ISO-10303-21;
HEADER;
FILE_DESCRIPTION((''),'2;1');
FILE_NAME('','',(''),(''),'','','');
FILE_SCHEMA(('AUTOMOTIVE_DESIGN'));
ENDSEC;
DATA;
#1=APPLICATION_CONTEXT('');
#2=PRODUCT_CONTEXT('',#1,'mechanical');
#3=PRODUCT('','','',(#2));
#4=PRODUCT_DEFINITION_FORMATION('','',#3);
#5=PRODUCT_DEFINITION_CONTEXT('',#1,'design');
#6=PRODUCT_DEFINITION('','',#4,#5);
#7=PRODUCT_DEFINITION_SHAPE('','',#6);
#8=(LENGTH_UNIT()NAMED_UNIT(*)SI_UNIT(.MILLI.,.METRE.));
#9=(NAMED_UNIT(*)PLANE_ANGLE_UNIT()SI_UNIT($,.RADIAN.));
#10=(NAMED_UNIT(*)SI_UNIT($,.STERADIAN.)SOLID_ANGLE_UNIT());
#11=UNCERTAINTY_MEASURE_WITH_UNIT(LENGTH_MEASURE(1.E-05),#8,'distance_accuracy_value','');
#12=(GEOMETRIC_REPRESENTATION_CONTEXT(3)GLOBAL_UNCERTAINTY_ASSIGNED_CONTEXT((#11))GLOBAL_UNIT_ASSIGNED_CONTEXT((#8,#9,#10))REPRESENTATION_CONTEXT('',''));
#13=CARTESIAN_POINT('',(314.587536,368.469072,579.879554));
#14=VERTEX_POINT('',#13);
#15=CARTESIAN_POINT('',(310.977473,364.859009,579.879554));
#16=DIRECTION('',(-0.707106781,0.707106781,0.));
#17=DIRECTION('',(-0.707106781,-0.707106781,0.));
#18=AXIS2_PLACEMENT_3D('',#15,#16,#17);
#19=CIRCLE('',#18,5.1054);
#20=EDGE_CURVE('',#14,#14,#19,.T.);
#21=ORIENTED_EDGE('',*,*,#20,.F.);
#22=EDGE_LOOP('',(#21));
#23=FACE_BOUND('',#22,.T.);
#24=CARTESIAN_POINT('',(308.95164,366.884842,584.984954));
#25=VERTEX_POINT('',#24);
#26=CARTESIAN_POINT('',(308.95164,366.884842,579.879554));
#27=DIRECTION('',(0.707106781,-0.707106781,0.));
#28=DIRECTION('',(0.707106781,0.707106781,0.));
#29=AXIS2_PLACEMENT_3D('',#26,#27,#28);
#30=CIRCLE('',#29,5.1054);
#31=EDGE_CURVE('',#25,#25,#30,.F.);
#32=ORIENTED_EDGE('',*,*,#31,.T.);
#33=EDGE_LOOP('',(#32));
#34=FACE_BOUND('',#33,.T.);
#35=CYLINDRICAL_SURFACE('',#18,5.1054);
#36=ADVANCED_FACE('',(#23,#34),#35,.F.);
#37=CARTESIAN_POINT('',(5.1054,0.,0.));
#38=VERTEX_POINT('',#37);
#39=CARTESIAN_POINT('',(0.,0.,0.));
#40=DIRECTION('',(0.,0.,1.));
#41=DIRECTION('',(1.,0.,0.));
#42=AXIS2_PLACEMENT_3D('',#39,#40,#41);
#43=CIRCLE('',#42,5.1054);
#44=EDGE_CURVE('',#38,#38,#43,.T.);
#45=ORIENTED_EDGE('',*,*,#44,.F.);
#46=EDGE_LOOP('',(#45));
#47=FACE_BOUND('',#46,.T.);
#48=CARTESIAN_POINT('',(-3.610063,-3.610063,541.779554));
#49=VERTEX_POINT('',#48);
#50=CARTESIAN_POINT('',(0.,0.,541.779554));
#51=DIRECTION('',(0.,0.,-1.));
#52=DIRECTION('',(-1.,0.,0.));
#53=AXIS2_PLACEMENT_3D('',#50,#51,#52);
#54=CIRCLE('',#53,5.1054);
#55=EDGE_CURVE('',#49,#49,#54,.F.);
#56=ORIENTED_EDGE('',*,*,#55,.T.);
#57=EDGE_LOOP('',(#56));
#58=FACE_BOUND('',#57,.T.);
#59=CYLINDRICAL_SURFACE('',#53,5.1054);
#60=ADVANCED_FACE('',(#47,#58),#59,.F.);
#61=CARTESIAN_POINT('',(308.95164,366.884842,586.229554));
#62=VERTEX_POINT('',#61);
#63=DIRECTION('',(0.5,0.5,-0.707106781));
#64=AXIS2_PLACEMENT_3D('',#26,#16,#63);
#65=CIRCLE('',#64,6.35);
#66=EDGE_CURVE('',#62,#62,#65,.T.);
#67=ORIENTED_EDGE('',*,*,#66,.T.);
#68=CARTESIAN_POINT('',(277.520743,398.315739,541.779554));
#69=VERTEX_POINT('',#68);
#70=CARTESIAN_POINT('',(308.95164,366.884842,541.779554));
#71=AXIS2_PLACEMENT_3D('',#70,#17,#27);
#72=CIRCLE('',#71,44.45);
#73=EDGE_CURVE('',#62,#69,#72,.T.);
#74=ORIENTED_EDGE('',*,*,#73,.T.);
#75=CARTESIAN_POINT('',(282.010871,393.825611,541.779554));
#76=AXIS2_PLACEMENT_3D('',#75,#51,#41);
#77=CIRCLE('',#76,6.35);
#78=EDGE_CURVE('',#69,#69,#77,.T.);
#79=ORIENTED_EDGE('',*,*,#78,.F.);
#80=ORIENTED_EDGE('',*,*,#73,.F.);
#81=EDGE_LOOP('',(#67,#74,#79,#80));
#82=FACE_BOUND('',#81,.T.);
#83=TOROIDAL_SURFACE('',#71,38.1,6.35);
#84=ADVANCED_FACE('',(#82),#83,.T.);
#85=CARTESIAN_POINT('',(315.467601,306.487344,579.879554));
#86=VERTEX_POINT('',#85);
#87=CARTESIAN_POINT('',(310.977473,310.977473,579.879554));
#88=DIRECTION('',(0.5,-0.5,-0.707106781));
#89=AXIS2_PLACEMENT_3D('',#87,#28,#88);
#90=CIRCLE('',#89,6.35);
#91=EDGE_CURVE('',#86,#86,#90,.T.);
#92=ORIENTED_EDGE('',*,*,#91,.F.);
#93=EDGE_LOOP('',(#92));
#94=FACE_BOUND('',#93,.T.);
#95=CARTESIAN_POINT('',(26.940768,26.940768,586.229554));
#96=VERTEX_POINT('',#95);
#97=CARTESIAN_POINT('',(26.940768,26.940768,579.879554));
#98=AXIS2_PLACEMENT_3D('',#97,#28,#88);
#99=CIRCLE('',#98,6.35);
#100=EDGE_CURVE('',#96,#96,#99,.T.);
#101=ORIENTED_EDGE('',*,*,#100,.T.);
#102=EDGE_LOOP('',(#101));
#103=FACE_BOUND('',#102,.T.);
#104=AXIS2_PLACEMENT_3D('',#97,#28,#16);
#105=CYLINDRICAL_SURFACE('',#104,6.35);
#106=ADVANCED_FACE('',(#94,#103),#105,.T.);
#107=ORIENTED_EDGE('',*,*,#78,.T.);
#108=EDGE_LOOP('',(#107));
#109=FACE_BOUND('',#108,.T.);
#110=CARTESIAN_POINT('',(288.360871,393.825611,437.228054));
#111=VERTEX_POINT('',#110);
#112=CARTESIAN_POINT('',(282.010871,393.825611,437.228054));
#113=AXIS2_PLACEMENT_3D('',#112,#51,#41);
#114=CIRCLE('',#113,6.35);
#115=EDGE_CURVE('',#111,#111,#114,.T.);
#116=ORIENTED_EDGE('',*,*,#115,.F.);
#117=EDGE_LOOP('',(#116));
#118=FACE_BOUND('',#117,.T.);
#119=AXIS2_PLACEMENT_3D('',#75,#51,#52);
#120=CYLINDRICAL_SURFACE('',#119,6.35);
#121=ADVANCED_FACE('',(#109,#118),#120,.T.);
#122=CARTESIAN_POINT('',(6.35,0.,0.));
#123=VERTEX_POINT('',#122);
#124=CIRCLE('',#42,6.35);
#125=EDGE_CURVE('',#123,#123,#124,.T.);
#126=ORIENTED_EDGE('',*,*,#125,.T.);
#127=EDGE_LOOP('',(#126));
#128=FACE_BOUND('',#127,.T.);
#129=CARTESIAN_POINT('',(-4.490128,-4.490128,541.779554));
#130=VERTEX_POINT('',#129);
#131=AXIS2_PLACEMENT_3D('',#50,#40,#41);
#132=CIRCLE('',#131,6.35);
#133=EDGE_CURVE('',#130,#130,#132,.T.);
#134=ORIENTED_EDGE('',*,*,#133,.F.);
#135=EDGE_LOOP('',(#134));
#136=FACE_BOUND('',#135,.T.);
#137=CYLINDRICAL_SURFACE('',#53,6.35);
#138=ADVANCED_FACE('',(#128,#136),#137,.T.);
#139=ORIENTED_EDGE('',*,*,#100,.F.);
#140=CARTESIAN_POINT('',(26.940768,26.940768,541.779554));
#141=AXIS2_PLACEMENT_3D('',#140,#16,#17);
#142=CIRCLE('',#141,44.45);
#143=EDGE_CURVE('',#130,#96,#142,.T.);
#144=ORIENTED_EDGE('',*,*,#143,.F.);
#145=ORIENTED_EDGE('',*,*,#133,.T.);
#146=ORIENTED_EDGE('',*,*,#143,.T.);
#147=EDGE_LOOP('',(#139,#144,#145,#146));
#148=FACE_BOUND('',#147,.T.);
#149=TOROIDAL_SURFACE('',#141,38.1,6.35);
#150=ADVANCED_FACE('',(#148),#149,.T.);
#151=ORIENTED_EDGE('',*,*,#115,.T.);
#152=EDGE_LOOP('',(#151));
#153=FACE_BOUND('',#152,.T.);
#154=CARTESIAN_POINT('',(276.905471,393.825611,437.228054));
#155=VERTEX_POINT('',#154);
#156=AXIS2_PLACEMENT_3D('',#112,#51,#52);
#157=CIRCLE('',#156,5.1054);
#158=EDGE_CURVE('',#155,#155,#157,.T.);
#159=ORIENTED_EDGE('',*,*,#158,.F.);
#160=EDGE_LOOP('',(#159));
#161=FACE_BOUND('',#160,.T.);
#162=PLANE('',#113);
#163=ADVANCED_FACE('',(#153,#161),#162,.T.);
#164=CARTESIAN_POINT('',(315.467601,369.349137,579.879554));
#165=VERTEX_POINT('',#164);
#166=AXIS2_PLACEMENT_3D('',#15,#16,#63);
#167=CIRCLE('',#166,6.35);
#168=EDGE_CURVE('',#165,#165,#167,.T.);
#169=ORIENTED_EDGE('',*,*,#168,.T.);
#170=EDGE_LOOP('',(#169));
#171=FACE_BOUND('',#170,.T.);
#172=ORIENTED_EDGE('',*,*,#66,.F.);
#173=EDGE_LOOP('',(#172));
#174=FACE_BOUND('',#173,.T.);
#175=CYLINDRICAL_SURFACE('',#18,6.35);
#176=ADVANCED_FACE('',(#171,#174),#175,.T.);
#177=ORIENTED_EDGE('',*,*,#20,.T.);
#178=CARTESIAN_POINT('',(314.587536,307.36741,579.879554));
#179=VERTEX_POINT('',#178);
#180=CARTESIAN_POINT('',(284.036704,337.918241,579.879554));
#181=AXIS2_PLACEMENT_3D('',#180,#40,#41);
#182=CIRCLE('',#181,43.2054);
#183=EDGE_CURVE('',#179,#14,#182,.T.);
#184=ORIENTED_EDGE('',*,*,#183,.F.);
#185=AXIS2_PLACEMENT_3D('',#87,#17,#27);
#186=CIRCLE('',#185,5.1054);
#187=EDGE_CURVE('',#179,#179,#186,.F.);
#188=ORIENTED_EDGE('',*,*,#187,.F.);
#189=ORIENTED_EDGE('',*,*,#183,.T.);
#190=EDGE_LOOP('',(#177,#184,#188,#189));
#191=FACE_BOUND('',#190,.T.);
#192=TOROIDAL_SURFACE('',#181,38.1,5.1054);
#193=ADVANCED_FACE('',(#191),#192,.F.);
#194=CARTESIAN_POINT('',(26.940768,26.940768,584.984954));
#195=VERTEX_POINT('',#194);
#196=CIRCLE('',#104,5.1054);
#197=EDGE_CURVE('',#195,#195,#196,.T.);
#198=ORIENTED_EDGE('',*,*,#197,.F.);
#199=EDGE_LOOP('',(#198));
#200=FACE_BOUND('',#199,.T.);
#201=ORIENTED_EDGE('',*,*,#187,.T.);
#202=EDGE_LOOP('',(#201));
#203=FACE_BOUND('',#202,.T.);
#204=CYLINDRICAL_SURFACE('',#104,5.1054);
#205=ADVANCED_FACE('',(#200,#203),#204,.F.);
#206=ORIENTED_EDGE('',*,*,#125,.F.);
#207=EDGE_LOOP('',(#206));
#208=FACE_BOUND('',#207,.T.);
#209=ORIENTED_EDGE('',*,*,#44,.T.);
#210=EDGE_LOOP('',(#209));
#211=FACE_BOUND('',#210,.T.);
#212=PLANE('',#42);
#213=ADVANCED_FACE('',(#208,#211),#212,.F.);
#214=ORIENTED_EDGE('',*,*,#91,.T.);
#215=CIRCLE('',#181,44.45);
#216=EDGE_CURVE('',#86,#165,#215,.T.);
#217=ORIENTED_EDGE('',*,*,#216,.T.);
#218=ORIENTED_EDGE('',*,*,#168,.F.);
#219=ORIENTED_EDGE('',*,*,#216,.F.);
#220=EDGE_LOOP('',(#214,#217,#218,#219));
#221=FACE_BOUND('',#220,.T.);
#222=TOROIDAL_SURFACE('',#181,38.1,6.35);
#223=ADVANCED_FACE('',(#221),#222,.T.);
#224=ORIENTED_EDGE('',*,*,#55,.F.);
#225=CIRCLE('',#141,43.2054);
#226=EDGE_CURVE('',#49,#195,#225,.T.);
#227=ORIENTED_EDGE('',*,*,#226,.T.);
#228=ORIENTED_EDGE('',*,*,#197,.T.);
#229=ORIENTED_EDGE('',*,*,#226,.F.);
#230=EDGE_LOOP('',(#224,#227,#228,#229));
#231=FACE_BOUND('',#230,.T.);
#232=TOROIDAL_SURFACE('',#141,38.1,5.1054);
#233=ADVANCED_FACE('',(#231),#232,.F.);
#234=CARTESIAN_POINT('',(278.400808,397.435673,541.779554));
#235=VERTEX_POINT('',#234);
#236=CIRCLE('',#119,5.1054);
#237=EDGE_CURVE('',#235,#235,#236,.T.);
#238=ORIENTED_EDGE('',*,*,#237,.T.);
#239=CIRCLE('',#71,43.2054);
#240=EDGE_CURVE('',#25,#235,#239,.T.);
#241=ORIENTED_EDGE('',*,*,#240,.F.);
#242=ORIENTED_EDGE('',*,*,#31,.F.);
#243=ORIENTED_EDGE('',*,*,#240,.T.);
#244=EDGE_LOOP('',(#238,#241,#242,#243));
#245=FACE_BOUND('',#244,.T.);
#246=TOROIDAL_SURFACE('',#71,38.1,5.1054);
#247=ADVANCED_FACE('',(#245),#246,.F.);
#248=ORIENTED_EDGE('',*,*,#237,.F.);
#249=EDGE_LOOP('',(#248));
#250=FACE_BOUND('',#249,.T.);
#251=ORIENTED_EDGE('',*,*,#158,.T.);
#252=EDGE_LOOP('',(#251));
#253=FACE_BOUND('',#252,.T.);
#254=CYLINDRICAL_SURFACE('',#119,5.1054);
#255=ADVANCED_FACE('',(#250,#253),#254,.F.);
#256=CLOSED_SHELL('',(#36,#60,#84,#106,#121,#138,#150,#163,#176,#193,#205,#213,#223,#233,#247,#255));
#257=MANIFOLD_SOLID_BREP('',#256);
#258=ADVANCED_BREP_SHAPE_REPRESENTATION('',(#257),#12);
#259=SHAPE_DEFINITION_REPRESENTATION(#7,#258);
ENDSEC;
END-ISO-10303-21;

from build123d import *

# Parameters (mm, degrees)
PIPESKETCH_R   = 6.35
PIPESKETCH_R_2 = 5.1054


with BuildPart() as part:
    # ThinSweep: sweep along a curve in space
    with BuildLine() as thinsweep_path:
        Line((0, 0, 0), (0, 0, 541.779553996))
        ThreePointArc((0, 0, 541.779553996), (7.890768363, 7.890768363, 568.72032236), (26.940768363, 26.940768363, 579.879553996))
        Line((26.940768363, 26.940768363, 579.879553996), (310.977472549, 310.977472549, 579.879553996))
        ThreePointArc((310.977472549, 310.977472549, 579.879553996), (322.136704186, 337.918240913, 579.879553996), (310.977472549, 364.859009276, 579.879553996))
        Line((310.977472549, 364.859009276, 579.879553996), (308.951639669, 366.884842156, 579.879553996))
        ThreePointArc((308.951639669, 366.884842156, 579.879553996), (289.901639669, 385.934842156, 568.72032236), (282.010871306, 393.825610519, 541.779553996))
        Line((282.010871306, 393.825610519, 437.228053913), (282.010871306, 393.825610519, 541.779553996))
    # PipeSketch → ThinSweep (sweep)
    with BuildSketch(Plane.XY):
        Circle(PIPESKETCH_R)
        Circle(PIPESKETCH_R_2, mode=Mode.SUBTRACT)
    sweep(path=thinsweep_path.line)


solid = part.part
